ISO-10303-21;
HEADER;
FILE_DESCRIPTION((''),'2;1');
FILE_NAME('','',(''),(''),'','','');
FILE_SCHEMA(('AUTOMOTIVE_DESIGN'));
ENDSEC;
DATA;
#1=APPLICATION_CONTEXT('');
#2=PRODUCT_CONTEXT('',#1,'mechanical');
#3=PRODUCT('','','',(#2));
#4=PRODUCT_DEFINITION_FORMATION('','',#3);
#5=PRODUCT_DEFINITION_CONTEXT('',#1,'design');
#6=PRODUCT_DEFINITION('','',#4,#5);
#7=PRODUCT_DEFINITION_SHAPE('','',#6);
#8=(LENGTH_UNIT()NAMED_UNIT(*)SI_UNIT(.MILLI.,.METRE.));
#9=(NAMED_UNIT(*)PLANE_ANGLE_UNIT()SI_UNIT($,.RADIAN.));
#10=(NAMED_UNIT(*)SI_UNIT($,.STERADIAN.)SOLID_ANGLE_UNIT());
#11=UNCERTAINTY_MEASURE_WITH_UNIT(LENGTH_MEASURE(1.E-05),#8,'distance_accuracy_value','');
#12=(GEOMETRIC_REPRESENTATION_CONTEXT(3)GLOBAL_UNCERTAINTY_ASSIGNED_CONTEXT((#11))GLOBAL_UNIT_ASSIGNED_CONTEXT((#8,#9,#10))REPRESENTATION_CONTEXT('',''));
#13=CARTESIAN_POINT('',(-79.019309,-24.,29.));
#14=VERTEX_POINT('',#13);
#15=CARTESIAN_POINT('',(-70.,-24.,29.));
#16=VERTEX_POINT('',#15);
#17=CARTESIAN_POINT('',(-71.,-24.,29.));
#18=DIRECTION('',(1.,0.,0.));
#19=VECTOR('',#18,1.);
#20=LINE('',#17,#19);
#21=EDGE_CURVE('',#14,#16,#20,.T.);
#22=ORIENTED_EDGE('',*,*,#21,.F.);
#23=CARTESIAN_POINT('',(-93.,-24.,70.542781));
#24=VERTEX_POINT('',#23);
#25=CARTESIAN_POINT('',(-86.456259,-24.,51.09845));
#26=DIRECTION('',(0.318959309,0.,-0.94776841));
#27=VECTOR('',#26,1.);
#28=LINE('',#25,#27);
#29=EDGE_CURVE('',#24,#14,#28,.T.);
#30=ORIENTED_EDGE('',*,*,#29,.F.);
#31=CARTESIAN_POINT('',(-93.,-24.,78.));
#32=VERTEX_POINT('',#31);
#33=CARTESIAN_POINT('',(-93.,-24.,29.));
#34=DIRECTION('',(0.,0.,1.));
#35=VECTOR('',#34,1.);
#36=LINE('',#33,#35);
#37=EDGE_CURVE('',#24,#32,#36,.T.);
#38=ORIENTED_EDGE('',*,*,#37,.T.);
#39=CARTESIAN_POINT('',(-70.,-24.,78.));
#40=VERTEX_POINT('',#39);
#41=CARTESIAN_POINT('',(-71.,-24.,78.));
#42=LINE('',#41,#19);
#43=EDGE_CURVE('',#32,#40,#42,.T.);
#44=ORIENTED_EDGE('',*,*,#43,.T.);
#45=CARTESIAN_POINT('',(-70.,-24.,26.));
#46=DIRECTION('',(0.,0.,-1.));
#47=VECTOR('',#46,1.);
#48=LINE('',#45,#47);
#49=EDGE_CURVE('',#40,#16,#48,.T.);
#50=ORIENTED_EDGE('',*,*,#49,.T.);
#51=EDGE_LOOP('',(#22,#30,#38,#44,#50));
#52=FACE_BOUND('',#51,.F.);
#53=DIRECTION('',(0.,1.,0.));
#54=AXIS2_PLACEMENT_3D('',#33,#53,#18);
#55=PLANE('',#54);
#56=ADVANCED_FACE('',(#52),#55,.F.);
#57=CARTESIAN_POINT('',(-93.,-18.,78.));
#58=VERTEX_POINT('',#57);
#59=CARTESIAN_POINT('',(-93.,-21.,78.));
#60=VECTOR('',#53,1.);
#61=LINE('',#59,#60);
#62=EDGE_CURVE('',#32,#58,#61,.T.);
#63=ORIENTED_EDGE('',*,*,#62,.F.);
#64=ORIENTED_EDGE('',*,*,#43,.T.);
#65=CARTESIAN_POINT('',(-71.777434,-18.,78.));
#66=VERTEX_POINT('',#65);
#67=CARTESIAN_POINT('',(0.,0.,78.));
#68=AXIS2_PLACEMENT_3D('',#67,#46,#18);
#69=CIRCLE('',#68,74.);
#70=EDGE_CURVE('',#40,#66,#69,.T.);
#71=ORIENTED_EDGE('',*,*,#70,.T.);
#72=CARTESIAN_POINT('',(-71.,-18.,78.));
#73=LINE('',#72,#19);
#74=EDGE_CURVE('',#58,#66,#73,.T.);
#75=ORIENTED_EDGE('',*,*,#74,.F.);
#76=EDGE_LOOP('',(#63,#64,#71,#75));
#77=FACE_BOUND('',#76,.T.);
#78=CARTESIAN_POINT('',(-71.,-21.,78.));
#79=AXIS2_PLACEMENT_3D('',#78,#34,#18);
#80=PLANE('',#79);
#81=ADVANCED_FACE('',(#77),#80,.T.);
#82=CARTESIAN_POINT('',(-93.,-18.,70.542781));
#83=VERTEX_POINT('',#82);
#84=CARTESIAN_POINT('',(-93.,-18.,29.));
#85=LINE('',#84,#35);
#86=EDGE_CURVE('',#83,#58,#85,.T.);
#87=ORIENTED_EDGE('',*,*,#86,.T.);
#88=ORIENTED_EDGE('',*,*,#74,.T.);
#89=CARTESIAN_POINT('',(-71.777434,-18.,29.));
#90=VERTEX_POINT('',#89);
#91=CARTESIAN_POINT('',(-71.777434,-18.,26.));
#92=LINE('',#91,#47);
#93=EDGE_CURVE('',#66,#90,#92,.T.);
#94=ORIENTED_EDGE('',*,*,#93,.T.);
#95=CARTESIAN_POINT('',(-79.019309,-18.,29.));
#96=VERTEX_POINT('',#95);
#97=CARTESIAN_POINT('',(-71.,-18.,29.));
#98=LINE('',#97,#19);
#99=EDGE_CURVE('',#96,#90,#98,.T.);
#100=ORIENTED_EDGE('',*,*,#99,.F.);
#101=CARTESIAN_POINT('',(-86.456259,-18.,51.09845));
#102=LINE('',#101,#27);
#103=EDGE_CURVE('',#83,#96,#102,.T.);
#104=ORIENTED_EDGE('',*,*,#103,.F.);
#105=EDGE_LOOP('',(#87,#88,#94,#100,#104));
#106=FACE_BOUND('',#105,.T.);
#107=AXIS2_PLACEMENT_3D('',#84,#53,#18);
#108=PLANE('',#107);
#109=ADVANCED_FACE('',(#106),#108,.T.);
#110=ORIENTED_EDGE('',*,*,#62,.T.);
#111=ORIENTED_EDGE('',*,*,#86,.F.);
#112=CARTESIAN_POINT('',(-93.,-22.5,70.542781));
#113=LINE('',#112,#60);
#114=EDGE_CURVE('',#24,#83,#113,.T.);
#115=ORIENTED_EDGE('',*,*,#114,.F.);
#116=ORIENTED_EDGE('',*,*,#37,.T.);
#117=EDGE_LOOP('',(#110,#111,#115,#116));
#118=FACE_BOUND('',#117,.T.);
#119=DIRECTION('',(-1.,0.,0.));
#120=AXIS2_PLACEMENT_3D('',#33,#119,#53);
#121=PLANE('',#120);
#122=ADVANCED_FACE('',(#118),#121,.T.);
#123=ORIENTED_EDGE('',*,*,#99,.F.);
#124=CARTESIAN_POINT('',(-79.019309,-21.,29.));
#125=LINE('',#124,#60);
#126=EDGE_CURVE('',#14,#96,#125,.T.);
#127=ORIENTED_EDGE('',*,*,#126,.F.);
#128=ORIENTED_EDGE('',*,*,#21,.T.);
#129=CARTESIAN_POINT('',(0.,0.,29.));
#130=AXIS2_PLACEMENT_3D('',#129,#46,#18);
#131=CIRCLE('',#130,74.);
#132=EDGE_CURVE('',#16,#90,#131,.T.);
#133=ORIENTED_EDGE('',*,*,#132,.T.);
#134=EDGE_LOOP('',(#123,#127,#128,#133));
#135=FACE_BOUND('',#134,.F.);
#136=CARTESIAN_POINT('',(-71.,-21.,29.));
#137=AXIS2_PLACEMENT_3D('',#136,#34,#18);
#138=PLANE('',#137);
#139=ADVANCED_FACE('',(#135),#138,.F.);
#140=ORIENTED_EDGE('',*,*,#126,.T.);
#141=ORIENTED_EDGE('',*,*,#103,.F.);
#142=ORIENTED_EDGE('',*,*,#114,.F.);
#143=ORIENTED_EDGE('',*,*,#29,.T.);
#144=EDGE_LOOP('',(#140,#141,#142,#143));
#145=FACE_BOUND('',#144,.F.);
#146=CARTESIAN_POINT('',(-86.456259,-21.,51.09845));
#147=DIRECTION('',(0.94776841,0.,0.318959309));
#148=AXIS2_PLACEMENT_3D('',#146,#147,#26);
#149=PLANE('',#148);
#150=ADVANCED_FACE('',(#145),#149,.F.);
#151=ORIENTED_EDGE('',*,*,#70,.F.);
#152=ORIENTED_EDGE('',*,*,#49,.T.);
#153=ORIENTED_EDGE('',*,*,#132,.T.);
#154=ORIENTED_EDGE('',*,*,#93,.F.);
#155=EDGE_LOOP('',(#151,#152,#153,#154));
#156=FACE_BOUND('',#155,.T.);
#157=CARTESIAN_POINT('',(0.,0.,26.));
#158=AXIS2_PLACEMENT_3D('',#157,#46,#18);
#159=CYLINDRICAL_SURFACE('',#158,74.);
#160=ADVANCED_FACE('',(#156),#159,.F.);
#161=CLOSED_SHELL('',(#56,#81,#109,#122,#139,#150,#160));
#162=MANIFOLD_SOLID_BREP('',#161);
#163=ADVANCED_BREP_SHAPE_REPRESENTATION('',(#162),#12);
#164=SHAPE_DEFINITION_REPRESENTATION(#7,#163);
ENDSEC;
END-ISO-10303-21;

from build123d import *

# Parameters (mm, degrees)
CYLINDER1792_R         = 74
CYLINDER1792_DEPTH     = 60
BOX754_W               = 80
BOX754_H               = 6
BOX754_DEPTH           = 20
BOX754_PLACEMENT_ANGLE = 71.4
BOX752_W               = 44
BOX752_H               = 6
BOX752_DEPTH           = 49


with BuildPart() as v_lec1792:
    # Cylinder1792 → Cylinder1792 (new body)
    with BuildSketch(Plane.XY.offset(26)):
        Circle(CYLINDER1792_R)
    extrude(amount=CYLINDER1792_DEPTH)


with BuildPart() as krychle754:
    # Box754 → Box754 (new body)
    with BuildSketch(Plane.XY):
        with Locations((40, 3)):
            Rectangle(BOX754_W, BOX754_H)
    extrude(amount=BOX754_DEPTH)


with BuildPart() as krychle754_1:
    # Box754 placement: moved
    add(krychle754.part.moved(Location((-118.17, -24, 82.63))).rotate(Axis((-118.17, -24, 82.63), (0, 1, 0)), BOX754_PLACEMENT_ANGLE))


with BuildPart() as cut555:
    # Box752 → Box752 (new body)
    with BuildSketch(Plane(origin=(-93, -24, 29), x_dir=(1, 0, 0), z_dir=(0, 0, 1))):
        with Locations((22, 3)):
            Rectangle(BOX752_W, BOX752_H)
    extrude(amount=BOX752_DEPTH)

    # Cut548: cut Krychle754
    add(krychle754_1.part, mode=Mode.SUBTRACT)

    # Cut555: cut Válec1792
    add(v_lec1792.part, mode=Mode.SUBTRACT)


solid = cut555.part
